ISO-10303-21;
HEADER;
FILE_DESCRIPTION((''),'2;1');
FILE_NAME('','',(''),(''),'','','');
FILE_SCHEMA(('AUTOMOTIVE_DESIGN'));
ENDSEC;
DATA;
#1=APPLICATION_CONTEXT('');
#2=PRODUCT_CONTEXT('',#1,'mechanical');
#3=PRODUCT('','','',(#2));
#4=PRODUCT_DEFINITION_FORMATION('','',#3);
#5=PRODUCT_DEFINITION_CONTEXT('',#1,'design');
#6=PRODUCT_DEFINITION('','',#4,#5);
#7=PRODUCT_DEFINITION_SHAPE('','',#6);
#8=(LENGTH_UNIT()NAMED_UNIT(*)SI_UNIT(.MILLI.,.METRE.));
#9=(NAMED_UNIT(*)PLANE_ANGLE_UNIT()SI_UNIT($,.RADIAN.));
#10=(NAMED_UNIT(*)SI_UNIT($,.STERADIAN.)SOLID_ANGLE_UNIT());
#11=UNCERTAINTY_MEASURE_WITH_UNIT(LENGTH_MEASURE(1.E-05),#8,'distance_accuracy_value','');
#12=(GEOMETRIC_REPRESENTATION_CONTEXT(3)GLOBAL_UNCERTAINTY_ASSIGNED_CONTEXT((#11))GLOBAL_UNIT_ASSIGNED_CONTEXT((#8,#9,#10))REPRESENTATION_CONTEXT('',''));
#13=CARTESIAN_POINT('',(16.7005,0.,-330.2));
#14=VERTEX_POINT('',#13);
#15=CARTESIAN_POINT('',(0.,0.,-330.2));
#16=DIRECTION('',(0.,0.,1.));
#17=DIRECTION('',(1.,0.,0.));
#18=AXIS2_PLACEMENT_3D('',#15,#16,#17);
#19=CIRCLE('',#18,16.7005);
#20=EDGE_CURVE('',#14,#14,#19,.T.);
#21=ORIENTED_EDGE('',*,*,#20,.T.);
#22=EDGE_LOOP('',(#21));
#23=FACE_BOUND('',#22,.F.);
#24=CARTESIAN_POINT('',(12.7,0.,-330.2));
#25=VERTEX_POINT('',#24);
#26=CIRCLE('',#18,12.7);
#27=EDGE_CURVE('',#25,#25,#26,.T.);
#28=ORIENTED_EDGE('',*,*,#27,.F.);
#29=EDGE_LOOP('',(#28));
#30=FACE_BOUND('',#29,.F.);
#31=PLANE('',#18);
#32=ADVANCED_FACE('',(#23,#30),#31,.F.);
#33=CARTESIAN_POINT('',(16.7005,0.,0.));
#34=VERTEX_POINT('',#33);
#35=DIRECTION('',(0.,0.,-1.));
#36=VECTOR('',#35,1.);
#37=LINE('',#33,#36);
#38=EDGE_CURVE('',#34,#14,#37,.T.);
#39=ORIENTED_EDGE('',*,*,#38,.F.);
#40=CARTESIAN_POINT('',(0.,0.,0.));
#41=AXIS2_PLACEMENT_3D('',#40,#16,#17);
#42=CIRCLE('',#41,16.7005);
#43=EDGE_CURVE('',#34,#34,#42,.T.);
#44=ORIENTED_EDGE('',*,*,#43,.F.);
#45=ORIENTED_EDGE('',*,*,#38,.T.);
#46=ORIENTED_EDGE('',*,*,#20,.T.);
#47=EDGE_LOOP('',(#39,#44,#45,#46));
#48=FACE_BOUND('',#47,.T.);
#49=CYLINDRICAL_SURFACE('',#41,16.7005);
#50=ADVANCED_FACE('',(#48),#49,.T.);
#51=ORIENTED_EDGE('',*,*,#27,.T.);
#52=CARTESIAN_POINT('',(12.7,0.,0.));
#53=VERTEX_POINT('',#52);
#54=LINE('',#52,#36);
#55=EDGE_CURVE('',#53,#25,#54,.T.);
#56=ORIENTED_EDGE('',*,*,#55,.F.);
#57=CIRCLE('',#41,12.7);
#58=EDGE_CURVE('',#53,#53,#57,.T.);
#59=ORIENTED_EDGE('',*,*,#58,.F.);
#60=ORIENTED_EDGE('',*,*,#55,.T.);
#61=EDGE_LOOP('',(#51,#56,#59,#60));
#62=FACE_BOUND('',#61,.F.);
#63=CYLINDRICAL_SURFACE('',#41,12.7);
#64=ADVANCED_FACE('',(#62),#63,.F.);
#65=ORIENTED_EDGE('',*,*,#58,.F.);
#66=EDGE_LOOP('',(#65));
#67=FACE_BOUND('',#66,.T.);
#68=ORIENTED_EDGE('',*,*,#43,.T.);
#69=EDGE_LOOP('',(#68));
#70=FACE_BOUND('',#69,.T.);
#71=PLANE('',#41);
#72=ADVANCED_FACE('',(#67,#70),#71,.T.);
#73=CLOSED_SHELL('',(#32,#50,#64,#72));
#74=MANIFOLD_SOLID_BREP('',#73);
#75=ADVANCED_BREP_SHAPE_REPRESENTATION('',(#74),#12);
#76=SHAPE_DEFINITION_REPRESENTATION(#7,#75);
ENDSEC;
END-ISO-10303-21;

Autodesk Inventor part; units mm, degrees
ref_plane "YZ Plane" through (0, 0, 0) normal (1, 0, 0) x (0, 1, 0)
ref_plane "XZ Plane" through (0, 0, 0) normal (0, 1, 0) x (-1, 0, 0)
ref_plane "XY Plane" through (0, 0, 0) normal (0, 0, 1) x (1, 0, 0)
sketch "Sketch1" plane through (0, 0, 0) normal (0, 0, 1) x (1, 0, 0)
  circle A0 centre (0, 0) radius 16.7005
  circle A1 centre (0, 0) radius 12.7
  dimension "d0" = 33.401
  dimension "d1" = 25.4
extrude "Extrusion1" add sketch "Sketch1" against normal blind 330.2
properties part number "Pipe 1"
